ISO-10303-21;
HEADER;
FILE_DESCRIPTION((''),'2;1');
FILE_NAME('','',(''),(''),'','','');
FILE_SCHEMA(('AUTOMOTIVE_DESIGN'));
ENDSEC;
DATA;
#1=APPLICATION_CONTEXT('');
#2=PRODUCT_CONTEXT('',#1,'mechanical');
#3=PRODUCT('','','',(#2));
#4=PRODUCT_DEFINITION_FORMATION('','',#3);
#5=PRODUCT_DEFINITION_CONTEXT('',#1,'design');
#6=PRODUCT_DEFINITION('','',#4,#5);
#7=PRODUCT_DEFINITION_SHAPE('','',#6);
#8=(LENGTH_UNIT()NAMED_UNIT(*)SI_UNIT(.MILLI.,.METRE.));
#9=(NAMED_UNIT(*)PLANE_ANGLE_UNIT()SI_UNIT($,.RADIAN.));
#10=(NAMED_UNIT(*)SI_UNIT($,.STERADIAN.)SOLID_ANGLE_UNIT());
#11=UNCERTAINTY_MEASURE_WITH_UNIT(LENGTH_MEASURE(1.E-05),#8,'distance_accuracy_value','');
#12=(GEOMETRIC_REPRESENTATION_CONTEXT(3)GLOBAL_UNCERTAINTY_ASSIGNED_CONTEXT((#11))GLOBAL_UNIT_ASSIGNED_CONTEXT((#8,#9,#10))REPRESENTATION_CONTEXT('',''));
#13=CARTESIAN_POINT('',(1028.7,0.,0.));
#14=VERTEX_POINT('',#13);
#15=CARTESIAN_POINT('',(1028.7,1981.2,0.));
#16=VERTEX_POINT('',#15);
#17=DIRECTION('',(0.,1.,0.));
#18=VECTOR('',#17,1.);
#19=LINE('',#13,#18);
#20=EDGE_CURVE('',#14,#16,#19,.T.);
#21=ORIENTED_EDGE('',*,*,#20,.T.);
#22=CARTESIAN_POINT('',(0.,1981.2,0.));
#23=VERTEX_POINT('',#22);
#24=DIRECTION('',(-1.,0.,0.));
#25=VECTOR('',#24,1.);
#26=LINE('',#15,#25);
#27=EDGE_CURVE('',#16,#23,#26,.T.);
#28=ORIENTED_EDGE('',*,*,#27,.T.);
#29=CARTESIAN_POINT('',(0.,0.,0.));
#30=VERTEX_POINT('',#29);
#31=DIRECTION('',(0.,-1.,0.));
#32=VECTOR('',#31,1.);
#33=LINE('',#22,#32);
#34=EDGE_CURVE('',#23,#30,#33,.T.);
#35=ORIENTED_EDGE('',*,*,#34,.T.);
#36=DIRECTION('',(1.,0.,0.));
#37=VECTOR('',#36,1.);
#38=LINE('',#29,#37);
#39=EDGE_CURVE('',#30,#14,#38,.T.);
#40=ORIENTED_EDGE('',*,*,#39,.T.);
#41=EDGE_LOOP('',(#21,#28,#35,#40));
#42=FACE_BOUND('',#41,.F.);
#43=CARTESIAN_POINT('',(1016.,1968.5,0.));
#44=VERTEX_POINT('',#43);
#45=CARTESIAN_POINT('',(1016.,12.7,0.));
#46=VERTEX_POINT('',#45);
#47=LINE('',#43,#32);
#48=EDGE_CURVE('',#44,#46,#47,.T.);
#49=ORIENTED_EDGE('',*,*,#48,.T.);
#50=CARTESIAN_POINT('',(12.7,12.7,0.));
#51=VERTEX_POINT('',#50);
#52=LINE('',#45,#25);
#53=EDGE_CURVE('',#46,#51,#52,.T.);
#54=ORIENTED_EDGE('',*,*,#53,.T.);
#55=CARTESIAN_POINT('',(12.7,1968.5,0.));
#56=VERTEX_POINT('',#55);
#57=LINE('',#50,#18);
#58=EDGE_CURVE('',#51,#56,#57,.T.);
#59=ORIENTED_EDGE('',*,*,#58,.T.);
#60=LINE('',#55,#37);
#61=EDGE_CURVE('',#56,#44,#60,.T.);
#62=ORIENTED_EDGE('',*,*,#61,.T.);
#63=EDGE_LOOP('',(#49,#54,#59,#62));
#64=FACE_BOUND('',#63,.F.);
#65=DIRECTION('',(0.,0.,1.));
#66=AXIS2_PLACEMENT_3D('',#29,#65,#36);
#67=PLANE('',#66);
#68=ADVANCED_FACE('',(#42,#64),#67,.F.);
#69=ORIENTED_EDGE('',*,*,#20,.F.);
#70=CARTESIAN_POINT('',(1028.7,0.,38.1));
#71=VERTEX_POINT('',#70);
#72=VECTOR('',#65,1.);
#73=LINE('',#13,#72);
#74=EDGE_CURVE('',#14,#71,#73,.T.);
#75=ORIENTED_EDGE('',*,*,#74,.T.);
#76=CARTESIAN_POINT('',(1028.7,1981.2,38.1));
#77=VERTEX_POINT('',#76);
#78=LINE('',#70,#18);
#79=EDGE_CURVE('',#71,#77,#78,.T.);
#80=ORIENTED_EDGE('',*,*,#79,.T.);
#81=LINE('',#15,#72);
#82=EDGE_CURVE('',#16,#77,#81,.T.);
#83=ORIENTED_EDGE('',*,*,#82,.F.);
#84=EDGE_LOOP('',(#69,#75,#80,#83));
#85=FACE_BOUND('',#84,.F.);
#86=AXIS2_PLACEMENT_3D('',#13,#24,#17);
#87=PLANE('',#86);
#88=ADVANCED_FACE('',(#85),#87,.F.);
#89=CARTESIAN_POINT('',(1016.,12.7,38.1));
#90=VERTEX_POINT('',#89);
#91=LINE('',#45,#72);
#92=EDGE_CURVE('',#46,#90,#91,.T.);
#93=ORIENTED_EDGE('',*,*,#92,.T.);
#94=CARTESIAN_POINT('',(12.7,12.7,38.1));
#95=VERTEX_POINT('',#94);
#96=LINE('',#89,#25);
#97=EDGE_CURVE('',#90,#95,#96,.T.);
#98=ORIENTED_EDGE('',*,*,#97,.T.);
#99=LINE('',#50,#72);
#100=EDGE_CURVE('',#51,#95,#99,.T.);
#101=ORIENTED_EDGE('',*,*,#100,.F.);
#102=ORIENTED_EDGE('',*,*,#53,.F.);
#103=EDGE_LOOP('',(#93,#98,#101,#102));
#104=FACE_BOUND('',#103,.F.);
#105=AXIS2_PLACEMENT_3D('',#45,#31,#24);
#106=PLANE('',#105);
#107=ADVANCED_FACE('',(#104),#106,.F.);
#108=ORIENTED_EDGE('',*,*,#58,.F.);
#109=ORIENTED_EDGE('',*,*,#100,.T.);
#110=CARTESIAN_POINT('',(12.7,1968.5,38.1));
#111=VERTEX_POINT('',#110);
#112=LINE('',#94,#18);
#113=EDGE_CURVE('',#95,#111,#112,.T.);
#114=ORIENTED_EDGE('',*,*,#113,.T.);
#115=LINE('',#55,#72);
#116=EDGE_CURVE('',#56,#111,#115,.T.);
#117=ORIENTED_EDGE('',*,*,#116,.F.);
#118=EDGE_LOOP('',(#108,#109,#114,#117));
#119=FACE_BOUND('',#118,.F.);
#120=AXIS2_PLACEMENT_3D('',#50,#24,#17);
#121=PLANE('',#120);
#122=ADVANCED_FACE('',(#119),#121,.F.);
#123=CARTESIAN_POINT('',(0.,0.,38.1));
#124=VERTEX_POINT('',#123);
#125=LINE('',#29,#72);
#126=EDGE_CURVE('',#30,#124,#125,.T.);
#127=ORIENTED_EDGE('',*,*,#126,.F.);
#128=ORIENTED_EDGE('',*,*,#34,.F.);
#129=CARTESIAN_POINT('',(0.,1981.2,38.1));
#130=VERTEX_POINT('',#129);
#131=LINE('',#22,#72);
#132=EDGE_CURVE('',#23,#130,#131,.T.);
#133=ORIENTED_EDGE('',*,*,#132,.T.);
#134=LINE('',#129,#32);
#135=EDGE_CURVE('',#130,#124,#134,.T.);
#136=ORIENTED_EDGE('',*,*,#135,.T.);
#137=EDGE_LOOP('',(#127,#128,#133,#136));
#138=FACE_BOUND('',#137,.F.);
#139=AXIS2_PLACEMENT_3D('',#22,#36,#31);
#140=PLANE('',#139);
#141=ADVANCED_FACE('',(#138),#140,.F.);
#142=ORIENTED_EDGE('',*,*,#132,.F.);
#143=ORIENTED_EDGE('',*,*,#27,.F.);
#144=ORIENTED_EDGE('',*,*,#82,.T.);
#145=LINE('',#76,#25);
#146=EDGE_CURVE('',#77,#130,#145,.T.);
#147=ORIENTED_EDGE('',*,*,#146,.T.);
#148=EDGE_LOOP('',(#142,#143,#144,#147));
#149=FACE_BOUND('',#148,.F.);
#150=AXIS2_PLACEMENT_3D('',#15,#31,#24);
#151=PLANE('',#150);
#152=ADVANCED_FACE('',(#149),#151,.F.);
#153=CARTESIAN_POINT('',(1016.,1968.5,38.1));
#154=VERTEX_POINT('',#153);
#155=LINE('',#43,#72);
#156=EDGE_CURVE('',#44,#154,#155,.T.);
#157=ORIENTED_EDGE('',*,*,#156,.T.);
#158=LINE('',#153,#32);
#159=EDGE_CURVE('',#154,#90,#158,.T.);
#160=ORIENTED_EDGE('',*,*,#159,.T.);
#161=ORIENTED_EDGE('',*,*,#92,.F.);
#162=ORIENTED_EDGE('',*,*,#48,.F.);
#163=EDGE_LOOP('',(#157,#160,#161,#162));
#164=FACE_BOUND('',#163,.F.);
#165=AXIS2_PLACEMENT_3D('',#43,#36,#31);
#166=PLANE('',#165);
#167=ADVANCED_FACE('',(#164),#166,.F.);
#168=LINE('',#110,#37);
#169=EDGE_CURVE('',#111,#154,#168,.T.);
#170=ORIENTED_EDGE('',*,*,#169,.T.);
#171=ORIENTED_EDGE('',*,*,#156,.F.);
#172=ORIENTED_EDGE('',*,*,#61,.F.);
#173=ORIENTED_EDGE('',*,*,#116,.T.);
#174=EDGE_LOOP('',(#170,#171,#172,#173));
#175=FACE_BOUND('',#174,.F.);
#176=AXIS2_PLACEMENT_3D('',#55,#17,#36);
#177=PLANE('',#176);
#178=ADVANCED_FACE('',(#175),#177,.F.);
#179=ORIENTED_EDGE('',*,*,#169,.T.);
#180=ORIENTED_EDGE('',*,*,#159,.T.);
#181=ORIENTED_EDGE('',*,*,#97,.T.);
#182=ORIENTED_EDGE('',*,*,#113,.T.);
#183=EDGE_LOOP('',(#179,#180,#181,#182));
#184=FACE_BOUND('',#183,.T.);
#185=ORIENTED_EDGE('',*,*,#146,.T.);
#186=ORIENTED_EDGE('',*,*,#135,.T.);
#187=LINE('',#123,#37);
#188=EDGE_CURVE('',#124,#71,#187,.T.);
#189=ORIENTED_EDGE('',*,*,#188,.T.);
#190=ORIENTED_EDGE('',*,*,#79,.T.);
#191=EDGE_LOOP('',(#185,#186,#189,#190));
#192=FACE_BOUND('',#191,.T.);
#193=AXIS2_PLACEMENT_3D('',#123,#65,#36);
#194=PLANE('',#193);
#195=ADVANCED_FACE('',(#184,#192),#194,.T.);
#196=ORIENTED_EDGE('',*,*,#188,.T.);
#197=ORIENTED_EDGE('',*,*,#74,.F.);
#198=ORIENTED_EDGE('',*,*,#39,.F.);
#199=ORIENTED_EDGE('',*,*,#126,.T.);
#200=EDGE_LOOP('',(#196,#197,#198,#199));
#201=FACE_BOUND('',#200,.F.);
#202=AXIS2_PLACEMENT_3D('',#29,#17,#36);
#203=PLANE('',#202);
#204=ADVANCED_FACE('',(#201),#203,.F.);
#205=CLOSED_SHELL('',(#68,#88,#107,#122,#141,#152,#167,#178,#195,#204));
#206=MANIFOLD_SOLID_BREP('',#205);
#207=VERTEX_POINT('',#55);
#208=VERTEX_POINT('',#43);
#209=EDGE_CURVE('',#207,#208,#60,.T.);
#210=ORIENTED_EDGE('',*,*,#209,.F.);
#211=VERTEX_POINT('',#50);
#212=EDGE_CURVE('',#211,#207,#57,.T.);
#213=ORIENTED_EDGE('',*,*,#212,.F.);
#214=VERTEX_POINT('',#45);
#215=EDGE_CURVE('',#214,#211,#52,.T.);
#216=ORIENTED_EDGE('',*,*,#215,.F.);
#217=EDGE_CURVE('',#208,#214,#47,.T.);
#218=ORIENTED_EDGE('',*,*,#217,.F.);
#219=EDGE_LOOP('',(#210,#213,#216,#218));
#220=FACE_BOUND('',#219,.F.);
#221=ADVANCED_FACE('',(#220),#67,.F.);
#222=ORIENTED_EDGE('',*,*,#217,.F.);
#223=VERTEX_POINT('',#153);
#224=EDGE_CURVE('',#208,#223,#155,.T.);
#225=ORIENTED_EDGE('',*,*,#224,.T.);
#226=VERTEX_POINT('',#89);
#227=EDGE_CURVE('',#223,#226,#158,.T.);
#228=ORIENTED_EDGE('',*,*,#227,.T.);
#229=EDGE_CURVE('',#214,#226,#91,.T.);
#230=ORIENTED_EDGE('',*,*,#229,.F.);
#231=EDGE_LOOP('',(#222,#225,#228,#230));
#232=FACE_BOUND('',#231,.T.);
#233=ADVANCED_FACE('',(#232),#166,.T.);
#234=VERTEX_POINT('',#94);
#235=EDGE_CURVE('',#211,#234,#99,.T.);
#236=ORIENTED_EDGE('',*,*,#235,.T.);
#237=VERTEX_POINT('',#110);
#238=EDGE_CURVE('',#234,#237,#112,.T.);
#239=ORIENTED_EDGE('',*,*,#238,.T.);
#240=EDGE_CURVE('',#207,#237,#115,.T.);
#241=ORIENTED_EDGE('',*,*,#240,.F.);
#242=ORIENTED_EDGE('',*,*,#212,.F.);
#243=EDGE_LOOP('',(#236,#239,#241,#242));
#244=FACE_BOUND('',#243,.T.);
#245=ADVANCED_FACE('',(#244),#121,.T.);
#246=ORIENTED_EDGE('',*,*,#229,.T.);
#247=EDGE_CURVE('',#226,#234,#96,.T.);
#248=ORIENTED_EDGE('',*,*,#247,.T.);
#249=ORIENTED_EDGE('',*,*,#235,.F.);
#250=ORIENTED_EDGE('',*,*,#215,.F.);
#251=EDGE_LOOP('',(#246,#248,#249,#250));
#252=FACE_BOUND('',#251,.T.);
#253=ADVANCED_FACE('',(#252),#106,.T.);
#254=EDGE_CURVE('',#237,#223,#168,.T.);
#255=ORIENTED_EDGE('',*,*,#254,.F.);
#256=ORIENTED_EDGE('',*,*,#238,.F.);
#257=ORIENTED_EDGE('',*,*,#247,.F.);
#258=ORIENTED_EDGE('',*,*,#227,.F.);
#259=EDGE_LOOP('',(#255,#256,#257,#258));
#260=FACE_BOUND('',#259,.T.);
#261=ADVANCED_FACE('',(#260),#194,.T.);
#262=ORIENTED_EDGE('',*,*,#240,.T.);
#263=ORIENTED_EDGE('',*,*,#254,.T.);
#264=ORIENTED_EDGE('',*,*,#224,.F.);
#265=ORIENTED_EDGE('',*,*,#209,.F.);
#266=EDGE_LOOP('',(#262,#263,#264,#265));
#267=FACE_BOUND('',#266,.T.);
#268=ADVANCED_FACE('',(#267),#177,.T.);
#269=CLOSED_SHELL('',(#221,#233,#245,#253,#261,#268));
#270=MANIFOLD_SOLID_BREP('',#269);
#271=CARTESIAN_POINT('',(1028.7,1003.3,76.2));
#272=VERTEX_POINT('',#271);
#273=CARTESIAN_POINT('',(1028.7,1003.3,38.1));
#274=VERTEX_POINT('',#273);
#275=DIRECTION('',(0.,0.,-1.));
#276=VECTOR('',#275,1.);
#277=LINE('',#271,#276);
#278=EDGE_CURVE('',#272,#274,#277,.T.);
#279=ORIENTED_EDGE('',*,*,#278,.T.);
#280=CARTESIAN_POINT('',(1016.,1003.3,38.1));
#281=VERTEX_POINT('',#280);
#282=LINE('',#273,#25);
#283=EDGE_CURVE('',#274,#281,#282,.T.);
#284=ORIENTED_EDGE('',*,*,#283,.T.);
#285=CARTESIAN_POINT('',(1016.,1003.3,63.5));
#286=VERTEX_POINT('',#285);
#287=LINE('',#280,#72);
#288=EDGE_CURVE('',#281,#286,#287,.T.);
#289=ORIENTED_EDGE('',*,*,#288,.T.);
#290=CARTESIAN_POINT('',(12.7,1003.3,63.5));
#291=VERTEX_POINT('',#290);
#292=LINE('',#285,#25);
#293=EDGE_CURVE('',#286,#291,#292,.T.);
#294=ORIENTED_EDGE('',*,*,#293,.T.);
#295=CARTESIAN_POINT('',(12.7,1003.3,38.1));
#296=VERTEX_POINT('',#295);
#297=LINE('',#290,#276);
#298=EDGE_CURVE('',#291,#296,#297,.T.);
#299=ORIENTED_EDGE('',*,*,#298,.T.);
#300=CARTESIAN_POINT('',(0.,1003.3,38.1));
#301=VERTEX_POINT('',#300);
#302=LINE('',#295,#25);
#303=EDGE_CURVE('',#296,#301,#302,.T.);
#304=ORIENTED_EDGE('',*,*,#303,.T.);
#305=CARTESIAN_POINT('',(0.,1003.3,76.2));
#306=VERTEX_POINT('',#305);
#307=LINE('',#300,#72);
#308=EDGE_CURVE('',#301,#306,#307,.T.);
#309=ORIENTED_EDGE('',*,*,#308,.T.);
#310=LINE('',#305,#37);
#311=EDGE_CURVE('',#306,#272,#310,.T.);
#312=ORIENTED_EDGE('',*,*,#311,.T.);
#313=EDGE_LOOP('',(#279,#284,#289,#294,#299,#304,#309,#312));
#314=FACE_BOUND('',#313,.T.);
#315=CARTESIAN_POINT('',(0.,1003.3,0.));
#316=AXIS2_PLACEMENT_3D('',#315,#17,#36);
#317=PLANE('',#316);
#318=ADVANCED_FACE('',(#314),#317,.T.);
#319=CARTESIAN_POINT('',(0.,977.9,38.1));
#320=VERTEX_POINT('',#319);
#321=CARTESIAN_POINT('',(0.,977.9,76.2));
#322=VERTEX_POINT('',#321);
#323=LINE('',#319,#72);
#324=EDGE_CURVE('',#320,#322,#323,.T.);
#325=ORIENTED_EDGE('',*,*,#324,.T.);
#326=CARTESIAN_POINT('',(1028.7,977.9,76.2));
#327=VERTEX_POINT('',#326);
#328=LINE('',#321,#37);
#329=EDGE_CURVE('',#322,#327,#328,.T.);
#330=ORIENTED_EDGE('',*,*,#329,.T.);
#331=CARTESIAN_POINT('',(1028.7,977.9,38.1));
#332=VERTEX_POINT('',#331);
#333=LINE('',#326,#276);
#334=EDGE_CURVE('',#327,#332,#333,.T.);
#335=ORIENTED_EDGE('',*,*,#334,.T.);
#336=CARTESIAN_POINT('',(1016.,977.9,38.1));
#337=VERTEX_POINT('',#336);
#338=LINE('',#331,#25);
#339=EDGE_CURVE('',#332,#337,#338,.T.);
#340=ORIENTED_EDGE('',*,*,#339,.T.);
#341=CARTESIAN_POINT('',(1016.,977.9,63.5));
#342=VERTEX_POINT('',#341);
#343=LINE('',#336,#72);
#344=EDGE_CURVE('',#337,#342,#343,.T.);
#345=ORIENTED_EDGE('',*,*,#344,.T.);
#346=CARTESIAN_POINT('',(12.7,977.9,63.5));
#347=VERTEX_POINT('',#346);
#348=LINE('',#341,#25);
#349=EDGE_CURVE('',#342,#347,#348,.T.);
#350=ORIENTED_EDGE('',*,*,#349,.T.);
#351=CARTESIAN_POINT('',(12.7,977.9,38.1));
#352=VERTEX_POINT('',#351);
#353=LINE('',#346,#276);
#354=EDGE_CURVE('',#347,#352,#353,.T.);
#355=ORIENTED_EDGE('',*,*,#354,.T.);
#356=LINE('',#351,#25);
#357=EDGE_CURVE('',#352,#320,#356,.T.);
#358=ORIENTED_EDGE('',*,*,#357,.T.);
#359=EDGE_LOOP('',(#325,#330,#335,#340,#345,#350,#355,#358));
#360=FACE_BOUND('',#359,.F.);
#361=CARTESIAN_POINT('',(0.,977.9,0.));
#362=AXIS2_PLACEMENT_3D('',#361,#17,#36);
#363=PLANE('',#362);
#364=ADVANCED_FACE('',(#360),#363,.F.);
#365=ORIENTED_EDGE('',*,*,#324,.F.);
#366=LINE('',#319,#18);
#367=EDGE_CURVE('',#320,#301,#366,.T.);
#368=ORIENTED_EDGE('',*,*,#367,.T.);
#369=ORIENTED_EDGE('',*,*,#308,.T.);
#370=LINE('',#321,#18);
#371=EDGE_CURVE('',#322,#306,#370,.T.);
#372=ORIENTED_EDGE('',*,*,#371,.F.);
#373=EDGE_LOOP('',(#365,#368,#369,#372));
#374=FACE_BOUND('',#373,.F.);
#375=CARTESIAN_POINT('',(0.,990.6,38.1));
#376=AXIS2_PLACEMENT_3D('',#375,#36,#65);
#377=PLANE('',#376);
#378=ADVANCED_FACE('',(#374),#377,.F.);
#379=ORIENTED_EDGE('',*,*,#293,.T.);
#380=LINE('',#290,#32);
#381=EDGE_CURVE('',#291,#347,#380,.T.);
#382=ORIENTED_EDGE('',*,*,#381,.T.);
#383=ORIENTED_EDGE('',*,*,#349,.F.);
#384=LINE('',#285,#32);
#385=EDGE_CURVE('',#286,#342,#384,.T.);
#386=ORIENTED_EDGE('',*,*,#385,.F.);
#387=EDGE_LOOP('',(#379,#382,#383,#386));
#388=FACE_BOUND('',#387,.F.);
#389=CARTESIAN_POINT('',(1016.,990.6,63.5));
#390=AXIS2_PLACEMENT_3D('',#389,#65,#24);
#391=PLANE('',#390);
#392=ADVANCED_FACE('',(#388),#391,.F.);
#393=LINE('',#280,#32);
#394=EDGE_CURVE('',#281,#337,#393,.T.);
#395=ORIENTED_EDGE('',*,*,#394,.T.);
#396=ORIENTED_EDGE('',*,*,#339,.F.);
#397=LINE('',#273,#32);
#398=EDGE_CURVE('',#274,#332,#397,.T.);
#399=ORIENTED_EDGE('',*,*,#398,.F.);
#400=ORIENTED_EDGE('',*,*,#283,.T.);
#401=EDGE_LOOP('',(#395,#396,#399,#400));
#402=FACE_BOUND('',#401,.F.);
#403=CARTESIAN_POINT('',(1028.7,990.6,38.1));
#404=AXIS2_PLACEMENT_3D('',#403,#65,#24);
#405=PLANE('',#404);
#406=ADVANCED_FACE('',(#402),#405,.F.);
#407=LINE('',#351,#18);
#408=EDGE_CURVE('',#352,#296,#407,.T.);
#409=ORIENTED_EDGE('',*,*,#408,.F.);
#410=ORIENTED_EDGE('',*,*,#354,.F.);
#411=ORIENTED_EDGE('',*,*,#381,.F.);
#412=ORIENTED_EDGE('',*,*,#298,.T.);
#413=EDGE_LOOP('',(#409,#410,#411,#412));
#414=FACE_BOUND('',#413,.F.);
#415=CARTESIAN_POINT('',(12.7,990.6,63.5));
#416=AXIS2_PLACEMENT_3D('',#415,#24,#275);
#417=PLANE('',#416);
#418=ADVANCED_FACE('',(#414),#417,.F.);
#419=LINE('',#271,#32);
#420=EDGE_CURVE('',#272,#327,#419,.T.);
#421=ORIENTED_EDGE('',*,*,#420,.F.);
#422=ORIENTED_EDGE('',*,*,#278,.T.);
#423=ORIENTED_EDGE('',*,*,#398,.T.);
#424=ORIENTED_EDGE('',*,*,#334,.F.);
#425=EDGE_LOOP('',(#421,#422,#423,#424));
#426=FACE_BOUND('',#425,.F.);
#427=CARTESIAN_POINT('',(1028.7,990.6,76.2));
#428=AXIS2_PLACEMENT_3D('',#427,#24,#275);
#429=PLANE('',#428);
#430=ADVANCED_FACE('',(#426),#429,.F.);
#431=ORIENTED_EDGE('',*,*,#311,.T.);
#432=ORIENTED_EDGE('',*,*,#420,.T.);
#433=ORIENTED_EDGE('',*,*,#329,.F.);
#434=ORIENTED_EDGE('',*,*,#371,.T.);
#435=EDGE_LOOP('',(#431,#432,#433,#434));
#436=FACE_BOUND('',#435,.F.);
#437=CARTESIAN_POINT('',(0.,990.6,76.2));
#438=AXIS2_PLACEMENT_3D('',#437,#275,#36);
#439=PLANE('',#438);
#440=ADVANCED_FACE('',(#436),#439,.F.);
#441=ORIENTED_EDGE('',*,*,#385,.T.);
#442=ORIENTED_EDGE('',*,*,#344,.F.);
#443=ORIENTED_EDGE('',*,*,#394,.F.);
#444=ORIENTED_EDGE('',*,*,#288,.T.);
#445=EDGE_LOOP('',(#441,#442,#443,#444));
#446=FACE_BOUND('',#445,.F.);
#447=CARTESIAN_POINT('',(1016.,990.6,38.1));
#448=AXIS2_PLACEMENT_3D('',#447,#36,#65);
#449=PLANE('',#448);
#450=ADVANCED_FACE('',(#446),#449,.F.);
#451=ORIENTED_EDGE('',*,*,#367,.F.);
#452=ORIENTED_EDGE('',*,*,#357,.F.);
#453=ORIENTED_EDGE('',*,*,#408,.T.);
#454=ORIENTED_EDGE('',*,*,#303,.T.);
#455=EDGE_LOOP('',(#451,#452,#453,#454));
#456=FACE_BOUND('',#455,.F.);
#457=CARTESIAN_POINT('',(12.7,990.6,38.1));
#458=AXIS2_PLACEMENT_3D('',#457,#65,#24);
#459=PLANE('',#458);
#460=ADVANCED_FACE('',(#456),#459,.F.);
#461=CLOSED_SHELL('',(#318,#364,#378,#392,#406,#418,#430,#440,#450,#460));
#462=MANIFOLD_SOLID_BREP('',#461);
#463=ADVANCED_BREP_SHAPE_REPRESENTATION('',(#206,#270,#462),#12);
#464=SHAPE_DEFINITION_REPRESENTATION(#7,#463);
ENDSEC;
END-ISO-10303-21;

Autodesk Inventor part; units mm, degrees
ref_plane "YZ Plane" through (0, 0, 0) normal (1, 0, 0) x (0, 1, 0)
sketch "Sketch1" plane through (0, 0, 0) normal (0, 0, 1) x (1, 0, 0)
  line L0 (0, 0) -> (1028.7, 0)
  line L1 (1028.7, 0) -> (1028.7, 1981.2)
  line L2 (1028.7, 1981.2) -> (0, 1981.2)
  line L3 (0, 1981.2) -> (0, 0)
  line L4 (12.7, 1968.5) -> (1016, 1968.5)
  line L5 (1016, 1968.5) -> (1016, 12.7)
  line L6 (1016, 12.7) -> (12.7, 12.7)
  line L7 (12.7, 12.7) -> (12.7, 1968.5)
  dimension "d2" = 1981.2
  dimension "d3" = 1028.7
  dimension "d4" = 12.7
extrude "GlassPane" add sketch "Sketch1" along normal blind 38.1 contours L4 L5 L6 L7
extrude "Frame" add sketch "Sketch1" along normal blind 38.1 separate body
ref_plane "Work Plane1" through (0, 990.6, 0) normal (0, 1, 0) x (1, 0, 0)
ref_plane "Work Plane2" through (0, 0, 19.05) normal (0, 0, 1) x (1, 0, 0)
sketch "Sketch2" plane through (0, 990.6, 0) normal (0, 1, 0) x (1, 0, 0)
  line L0 (12.7, -38.1) -> (0, -38.1)
  line L1 (0, -38.1) -> (0, -76.2)
  line L2 (0, -76.2) -> (1028.7, -76.2)
  line L3 (1028.7, -76.2) -> (1028.7, -38.1)
  line L4 (1028.7, -38.1) -> (1016, -38.1)
  line L5 (1016, -38.1) -> (1016, -63.5)
  line L6 (1016, -63.5) -> (12.7, -63.5)
  line L7 (12.7, -63.5) -> (12.7, -38.1)
  dimension "d7" = 12.7
  dimension "d8" = 12.7
  dimension "d9" = 38.1
extrude "Handle" add sketch "Sketch2" along normal mid plane 25.4 separate body
mirror "MirrorExterior" [suppressed]
equation "\"d2\" = Height - FrameWidth"
equation "\"d0\" = 0.375 * Depth"
equation "\"d5\" = 0.375 * Depth"
equation "\"d8\" = d7"
equation "\"Width\" = 2032"
equation "\"Height\" = 2032"
equation "\"Depth\" = 101.6"
equation "\"FrameWidth\" = 50.8"
properties part number "AVADemo_SlidingDoorPanel"
